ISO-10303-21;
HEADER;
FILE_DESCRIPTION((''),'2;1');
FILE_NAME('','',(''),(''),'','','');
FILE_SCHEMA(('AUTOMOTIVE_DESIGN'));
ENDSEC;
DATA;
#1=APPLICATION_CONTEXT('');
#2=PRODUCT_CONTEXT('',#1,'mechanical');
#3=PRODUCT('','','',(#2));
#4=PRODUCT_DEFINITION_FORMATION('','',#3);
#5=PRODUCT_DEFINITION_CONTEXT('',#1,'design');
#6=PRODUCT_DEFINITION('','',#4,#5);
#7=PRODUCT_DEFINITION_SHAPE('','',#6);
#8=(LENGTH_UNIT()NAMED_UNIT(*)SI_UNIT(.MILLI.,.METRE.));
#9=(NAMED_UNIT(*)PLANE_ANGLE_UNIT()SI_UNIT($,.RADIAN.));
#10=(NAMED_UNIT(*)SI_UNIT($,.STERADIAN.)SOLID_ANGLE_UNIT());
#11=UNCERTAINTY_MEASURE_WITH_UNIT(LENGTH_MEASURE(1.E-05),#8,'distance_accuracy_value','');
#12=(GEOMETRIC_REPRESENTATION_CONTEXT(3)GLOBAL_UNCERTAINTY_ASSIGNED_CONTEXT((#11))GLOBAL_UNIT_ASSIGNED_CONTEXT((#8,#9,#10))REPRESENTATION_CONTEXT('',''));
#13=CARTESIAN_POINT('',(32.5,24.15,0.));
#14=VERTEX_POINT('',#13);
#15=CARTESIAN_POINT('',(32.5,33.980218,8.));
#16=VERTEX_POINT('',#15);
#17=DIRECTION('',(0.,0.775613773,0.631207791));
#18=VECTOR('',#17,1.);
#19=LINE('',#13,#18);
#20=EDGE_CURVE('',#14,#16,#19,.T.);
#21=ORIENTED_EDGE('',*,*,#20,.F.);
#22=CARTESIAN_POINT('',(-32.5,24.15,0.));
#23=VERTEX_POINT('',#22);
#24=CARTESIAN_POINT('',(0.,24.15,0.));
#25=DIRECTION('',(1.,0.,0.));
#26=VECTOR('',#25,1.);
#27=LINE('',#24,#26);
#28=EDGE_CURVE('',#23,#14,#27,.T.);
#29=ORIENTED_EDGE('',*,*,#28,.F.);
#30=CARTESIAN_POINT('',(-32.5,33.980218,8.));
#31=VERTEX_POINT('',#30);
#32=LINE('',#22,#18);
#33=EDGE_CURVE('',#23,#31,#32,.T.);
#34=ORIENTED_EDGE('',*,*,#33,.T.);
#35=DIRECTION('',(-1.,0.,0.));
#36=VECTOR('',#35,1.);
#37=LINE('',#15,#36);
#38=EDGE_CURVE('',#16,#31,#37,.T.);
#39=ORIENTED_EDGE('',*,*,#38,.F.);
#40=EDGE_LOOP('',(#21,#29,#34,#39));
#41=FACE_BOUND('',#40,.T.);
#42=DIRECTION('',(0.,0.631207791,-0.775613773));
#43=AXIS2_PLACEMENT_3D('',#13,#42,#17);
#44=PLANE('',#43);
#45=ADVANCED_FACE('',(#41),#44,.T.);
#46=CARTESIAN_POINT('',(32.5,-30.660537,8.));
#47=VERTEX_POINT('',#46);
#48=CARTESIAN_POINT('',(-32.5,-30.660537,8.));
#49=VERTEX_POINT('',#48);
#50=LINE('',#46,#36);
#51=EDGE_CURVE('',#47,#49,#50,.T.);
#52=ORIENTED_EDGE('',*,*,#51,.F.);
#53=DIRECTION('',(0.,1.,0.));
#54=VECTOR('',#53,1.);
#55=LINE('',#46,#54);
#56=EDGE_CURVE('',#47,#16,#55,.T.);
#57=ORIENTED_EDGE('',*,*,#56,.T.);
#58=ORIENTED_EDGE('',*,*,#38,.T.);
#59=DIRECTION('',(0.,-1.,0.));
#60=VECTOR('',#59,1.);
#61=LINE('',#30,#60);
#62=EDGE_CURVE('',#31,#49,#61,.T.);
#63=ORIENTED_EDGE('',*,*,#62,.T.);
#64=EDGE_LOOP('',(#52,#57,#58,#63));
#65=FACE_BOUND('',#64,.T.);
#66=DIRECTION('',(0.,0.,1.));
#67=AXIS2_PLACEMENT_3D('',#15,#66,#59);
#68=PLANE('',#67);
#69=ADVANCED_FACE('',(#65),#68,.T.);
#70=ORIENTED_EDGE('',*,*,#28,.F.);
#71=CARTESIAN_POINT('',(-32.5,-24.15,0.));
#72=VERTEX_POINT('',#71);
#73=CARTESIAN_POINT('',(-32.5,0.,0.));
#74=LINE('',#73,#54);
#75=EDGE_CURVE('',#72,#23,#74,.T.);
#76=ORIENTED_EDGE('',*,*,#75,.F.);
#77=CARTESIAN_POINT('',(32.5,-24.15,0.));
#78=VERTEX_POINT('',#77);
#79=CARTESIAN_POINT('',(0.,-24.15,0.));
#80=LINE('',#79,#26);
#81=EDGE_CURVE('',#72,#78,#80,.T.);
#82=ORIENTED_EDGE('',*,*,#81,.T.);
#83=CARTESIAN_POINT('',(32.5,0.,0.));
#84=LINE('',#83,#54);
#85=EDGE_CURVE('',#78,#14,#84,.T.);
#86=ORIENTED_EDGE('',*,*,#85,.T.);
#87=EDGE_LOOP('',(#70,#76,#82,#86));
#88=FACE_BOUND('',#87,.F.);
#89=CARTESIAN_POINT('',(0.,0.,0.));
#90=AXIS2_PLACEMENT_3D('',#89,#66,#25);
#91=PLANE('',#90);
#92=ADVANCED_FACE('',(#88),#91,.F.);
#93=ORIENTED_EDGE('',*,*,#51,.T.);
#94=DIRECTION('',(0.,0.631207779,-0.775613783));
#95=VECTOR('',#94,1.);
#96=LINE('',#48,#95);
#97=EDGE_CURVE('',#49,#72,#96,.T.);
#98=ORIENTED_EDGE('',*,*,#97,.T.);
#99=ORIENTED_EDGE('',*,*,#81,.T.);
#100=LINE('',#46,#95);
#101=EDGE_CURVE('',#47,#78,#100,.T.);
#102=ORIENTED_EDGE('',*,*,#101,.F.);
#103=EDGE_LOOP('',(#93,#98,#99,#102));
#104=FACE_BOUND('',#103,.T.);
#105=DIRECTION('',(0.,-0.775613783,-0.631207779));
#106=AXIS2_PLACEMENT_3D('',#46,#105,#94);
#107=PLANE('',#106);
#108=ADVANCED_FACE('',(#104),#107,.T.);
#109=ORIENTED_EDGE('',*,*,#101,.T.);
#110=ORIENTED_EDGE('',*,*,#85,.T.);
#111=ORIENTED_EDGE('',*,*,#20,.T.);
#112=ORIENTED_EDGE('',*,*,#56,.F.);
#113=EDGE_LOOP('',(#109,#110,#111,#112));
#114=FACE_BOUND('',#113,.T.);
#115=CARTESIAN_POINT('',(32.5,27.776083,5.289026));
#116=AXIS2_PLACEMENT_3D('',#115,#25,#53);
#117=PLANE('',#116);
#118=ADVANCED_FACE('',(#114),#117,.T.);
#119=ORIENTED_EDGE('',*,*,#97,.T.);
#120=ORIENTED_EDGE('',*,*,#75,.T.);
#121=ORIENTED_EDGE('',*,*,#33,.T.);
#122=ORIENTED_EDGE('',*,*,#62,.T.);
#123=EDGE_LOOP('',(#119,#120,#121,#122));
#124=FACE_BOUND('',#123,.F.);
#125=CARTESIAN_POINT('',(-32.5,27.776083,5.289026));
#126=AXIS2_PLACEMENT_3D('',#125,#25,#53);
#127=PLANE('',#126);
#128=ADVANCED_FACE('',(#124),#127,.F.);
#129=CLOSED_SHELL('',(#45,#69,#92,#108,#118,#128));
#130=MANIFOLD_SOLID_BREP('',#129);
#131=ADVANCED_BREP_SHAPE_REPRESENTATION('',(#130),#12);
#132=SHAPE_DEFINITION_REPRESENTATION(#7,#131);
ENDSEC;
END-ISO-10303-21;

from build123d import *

# Parameters (mm, degrees)
F0_W     = 65
F0_H     = 48.3
F1_DEPTH = 8
F3_DEPTH = 65


with BuildPart() as f1:
    # F0 (on Top) → F1 (new body)
    with BuildSketch(Plane.XY):
        Rectangle(F0_W, F0_H)
    extrude(amount=F1_DEPTH)

    # F2 (on face) → F3 (join, through all)
    with BuildSketch(Plane.YZ.offset(32.5)):
        Polygon((33.980218, 8), (24.15, 8), (24.15, 0), align=None)
        Polygon((-24.15, 0), (-24.15, 8), (-30.660537, 8), align=None)
    extrude(amount=-F3_DEPTH)


solid = f1.part
